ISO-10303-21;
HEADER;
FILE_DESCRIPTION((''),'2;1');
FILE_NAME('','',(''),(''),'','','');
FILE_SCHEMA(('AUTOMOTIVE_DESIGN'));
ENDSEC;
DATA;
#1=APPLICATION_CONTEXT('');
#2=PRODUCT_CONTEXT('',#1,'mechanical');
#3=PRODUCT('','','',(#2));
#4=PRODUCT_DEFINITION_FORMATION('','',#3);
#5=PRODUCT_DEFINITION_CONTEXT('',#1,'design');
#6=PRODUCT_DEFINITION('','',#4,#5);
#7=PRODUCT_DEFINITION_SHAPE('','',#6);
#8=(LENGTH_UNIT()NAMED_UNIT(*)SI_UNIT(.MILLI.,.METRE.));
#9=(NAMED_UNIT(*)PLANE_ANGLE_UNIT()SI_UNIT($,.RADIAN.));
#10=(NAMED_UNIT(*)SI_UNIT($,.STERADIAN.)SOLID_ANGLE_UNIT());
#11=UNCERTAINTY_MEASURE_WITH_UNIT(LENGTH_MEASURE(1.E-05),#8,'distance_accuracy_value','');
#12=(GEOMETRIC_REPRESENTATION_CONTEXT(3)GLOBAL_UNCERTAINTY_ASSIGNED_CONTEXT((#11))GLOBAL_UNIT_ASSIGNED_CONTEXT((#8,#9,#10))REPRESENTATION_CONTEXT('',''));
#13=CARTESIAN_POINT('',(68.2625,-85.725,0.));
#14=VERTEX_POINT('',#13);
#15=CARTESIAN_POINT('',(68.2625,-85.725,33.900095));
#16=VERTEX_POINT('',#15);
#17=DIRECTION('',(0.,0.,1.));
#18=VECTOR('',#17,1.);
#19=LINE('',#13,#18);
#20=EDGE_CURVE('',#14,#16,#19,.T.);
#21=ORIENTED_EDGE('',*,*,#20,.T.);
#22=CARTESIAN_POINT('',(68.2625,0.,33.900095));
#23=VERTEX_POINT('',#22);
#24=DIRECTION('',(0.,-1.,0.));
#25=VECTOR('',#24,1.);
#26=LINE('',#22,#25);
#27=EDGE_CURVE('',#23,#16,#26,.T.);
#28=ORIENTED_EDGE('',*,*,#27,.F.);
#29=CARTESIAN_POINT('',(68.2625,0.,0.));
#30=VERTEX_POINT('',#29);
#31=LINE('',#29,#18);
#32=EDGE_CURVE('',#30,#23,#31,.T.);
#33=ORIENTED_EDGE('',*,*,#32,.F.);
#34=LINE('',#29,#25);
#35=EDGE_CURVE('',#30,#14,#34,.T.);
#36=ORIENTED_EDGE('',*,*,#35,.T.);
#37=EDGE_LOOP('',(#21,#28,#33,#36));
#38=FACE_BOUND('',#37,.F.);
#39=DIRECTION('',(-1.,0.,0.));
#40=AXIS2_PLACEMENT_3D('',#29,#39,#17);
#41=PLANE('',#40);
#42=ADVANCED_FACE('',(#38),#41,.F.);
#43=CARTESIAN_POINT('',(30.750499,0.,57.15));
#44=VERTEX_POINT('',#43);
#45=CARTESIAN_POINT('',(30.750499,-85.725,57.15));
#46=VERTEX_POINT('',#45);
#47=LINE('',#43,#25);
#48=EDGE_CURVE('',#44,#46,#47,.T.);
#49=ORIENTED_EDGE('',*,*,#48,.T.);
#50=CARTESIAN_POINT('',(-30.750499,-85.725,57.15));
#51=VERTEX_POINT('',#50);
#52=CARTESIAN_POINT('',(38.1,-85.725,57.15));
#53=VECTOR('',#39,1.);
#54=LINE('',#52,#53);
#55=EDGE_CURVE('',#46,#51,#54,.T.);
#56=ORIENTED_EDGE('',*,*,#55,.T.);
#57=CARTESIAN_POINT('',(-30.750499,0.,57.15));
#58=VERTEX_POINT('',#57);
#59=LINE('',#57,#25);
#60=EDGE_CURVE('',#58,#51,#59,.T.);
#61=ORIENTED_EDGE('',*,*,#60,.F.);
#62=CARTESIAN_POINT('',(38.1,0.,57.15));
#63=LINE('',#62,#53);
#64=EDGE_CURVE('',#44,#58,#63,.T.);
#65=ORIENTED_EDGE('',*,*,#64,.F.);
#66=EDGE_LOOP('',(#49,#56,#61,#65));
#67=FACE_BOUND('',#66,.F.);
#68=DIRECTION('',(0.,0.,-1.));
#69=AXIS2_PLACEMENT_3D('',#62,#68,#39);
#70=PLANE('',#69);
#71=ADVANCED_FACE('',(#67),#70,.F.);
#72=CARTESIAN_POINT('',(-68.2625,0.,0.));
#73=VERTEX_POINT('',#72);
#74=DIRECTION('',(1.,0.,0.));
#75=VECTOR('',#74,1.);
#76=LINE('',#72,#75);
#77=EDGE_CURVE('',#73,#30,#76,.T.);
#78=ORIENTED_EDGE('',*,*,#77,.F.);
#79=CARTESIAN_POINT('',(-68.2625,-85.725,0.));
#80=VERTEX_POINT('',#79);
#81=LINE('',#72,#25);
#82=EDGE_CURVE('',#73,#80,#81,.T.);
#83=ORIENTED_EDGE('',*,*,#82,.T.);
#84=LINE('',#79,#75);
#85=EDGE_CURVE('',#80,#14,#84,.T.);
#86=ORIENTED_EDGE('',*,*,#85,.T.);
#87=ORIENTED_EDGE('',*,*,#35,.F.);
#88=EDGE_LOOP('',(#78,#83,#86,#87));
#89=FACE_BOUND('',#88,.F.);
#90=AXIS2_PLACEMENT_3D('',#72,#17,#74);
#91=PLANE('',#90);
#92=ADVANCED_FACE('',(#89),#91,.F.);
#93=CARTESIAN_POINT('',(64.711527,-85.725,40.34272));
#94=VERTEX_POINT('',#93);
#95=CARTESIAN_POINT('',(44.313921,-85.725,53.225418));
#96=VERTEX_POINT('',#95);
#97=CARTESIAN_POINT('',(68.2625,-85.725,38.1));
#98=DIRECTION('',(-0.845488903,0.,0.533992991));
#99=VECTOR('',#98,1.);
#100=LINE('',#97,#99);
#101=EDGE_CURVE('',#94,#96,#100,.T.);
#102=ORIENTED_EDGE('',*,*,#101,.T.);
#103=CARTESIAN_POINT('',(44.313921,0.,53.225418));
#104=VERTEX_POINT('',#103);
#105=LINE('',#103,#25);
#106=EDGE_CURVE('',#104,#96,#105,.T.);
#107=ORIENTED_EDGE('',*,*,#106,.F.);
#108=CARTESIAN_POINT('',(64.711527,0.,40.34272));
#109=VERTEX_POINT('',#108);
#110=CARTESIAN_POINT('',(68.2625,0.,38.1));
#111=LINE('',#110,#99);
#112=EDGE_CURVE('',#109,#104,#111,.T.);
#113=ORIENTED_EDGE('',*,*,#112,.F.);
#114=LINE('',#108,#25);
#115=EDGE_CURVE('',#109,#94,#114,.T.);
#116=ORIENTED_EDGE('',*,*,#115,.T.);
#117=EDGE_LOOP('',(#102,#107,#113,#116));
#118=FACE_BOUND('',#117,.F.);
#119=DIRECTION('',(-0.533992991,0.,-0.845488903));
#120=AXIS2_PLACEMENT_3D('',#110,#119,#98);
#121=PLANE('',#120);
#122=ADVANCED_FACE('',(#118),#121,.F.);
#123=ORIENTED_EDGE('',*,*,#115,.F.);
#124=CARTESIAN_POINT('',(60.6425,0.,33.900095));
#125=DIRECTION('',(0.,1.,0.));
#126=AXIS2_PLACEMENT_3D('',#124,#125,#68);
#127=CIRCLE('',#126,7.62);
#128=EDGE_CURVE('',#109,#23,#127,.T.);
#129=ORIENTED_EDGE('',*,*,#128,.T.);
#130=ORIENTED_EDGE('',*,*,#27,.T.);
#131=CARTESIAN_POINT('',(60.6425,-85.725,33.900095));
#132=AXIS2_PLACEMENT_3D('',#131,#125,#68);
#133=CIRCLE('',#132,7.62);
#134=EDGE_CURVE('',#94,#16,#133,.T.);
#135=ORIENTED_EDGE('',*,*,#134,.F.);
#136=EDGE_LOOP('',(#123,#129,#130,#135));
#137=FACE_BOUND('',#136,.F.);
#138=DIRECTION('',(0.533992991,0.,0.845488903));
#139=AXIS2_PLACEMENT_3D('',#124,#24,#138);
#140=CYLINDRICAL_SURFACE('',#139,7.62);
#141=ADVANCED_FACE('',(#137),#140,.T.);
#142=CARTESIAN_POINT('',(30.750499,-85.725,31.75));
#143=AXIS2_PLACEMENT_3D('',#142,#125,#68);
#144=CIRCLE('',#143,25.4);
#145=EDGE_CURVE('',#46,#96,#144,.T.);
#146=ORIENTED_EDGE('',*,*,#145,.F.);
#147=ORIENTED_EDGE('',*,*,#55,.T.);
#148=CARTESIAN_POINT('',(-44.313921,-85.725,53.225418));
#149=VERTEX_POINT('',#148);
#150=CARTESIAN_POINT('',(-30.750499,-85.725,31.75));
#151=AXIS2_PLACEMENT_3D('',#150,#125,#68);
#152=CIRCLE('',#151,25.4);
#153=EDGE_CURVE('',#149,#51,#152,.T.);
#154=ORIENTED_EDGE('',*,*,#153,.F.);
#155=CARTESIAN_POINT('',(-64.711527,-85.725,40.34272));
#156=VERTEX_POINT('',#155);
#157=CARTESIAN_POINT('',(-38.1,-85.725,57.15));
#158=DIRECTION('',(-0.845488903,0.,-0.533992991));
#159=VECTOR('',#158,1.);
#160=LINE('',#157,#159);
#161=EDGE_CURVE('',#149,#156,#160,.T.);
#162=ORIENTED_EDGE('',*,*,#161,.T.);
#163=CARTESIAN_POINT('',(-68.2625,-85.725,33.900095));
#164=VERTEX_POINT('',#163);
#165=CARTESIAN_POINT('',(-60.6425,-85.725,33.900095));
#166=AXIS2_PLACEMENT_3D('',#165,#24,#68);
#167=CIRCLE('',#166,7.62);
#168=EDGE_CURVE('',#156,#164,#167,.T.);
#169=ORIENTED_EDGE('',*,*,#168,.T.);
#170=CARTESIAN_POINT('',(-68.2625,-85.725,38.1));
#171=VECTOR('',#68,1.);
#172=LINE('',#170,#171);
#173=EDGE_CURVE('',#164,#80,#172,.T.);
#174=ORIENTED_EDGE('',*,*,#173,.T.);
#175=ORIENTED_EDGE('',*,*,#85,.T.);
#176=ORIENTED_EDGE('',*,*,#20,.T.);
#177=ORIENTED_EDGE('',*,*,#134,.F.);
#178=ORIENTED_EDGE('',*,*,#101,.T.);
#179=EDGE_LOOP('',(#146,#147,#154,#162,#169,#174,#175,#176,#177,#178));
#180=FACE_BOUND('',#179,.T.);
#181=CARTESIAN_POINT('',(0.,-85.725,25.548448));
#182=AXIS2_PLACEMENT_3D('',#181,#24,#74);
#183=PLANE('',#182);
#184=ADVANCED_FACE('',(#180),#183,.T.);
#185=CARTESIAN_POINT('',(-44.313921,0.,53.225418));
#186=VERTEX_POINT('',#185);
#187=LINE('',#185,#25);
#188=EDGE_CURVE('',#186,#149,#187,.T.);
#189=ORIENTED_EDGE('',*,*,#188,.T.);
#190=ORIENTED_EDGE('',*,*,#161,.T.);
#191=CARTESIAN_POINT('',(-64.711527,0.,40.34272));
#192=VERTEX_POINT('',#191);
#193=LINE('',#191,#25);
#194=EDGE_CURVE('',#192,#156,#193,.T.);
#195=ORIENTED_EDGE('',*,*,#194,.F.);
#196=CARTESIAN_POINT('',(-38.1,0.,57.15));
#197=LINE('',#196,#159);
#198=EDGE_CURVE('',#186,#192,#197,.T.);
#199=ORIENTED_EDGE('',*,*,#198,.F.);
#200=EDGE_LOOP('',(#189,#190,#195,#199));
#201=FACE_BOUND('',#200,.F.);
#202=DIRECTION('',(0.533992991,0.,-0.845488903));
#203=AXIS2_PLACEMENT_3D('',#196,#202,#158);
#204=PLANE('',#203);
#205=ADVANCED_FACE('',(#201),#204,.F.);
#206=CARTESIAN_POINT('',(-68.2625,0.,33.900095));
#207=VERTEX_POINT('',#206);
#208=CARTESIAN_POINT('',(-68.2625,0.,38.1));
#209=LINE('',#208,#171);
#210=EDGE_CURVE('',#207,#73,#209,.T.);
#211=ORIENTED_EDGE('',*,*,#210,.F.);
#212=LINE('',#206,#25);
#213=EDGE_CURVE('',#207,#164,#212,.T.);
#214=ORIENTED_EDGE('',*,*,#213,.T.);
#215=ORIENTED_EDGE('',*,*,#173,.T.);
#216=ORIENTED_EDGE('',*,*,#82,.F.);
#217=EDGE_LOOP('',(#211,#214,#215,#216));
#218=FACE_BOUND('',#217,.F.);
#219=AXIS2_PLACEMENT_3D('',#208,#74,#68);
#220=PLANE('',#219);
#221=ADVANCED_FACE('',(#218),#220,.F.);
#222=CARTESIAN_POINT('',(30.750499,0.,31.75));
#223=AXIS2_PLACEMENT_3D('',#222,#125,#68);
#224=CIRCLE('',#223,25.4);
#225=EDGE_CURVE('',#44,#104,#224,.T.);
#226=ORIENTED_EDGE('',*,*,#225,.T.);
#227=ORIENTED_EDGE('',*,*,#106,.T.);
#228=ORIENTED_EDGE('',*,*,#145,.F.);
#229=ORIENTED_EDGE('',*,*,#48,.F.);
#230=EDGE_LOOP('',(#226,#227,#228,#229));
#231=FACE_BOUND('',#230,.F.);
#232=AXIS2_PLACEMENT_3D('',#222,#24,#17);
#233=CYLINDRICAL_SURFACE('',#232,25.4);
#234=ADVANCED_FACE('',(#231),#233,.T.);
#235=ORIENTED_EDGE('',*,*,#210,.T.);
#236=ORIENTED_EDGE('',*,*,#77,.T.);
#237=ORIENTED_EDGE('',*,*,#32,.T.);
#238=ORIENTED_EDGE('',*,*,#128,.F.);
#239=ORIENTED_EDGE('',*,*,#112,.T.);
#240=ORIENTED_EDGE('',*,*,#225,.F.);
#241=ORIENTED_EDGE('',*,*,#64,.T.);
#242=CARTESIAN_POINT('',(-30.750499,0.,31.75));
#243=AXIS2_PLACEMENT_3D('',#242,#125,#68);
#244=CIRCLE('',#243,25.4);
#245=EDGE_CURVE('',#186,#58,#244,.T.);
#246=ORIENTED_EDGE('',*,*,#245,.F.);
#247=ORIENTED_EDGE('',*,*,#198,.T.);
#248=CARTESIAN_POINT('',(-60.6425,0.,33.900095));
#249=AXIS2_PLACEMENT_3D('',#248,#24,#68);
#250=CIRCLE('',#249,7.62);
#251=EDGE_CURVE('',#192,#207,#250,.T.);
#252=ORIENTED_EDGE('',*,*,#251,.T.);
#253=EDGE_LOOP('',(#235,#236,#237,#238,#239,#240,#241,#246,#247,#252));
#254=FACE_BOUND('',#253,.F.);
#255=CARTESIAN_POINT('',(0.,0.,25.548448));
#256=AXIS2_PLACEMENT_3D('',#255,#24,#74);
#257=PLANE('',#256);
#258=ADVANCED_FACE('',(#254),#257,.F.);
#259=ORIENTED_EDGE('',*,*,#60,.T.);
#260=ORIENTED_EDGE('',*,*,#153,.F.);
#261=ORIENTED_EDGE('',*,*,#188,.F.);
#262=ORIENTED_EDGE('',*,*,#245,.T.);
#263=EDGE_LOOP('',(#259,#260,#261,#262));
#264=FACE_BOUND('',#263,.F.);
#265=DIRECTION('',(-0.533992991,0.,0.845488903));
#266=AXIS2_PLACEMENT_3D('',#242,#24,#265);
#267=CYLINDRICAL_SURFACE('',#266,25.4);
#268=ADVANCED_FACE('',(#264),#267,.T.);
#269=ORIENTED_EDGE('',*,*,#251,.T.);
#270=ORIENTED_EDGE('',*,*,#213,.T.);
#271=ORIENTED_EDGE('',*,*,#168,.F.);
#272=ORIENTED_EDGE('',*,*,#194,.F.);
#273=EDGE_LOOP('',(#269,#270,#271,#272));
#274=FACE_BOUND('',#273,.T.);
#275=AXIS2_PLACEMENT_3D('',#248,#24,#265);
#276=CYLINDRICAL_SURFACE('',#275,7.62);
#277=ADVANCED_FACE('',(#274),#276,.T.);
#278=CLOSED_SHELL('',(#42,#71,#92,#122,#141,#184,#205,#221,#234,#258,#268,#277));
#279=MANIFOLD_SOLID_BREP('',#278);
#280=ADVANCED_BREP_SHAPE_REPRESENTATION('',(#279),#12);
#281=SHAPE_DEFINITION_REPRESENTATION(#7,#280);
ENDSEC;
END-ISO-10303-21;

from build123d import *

# Parameters (mm, degrees)
F1_DEPTH = 85.725
F2_R     = 7.62
F3_R     = 25.4
F4_R     = 25.4
F5_R     = 7.62


with BuildPart() as f1:
    # F0 (on Front) → F1 (new body)
    with BuildSketch(Plane.XZ):
        Polygon((-68.2625, 0), (0, 0), (68.2625, 0), (68.2625, 38.1), (38.1, 57.15), (0, 57.15), (-38.1, 57.15), (-68.2625, 38.1), align=None)
    extrude(amount=F1_DEPTH)

    # F2
    f2_edges = [f1.edges().sort_by_distance(p)[0] for p in [
        (-68.2625, -42.8625, 38.1),
    ]]
    fillet(f2_edges, radius=F2_R)

    # F3
    f3_edges = [f1.edges().sort_by_distance(p)[0] for p in [
        (-38.1, -42.8625, 57.15),
    ]]
    fillet(f3_edges, radius=F3_R)

    # F4
    f4_edges = [f1.edges().sort_by_distance(p)[0] for p in [
        (38.1, -42.8625, 57.15),
    ]]
    fillet(f4_edges, radius=F4_R)

    # F5
    f5_edges = [f1.edges().sort_by_distance(p)[0] for p in [
        (68.2625, -42.8625, 38.1),
    ]]
    fillet(f5_edges, radius=F5_R)


solid = f1.part
